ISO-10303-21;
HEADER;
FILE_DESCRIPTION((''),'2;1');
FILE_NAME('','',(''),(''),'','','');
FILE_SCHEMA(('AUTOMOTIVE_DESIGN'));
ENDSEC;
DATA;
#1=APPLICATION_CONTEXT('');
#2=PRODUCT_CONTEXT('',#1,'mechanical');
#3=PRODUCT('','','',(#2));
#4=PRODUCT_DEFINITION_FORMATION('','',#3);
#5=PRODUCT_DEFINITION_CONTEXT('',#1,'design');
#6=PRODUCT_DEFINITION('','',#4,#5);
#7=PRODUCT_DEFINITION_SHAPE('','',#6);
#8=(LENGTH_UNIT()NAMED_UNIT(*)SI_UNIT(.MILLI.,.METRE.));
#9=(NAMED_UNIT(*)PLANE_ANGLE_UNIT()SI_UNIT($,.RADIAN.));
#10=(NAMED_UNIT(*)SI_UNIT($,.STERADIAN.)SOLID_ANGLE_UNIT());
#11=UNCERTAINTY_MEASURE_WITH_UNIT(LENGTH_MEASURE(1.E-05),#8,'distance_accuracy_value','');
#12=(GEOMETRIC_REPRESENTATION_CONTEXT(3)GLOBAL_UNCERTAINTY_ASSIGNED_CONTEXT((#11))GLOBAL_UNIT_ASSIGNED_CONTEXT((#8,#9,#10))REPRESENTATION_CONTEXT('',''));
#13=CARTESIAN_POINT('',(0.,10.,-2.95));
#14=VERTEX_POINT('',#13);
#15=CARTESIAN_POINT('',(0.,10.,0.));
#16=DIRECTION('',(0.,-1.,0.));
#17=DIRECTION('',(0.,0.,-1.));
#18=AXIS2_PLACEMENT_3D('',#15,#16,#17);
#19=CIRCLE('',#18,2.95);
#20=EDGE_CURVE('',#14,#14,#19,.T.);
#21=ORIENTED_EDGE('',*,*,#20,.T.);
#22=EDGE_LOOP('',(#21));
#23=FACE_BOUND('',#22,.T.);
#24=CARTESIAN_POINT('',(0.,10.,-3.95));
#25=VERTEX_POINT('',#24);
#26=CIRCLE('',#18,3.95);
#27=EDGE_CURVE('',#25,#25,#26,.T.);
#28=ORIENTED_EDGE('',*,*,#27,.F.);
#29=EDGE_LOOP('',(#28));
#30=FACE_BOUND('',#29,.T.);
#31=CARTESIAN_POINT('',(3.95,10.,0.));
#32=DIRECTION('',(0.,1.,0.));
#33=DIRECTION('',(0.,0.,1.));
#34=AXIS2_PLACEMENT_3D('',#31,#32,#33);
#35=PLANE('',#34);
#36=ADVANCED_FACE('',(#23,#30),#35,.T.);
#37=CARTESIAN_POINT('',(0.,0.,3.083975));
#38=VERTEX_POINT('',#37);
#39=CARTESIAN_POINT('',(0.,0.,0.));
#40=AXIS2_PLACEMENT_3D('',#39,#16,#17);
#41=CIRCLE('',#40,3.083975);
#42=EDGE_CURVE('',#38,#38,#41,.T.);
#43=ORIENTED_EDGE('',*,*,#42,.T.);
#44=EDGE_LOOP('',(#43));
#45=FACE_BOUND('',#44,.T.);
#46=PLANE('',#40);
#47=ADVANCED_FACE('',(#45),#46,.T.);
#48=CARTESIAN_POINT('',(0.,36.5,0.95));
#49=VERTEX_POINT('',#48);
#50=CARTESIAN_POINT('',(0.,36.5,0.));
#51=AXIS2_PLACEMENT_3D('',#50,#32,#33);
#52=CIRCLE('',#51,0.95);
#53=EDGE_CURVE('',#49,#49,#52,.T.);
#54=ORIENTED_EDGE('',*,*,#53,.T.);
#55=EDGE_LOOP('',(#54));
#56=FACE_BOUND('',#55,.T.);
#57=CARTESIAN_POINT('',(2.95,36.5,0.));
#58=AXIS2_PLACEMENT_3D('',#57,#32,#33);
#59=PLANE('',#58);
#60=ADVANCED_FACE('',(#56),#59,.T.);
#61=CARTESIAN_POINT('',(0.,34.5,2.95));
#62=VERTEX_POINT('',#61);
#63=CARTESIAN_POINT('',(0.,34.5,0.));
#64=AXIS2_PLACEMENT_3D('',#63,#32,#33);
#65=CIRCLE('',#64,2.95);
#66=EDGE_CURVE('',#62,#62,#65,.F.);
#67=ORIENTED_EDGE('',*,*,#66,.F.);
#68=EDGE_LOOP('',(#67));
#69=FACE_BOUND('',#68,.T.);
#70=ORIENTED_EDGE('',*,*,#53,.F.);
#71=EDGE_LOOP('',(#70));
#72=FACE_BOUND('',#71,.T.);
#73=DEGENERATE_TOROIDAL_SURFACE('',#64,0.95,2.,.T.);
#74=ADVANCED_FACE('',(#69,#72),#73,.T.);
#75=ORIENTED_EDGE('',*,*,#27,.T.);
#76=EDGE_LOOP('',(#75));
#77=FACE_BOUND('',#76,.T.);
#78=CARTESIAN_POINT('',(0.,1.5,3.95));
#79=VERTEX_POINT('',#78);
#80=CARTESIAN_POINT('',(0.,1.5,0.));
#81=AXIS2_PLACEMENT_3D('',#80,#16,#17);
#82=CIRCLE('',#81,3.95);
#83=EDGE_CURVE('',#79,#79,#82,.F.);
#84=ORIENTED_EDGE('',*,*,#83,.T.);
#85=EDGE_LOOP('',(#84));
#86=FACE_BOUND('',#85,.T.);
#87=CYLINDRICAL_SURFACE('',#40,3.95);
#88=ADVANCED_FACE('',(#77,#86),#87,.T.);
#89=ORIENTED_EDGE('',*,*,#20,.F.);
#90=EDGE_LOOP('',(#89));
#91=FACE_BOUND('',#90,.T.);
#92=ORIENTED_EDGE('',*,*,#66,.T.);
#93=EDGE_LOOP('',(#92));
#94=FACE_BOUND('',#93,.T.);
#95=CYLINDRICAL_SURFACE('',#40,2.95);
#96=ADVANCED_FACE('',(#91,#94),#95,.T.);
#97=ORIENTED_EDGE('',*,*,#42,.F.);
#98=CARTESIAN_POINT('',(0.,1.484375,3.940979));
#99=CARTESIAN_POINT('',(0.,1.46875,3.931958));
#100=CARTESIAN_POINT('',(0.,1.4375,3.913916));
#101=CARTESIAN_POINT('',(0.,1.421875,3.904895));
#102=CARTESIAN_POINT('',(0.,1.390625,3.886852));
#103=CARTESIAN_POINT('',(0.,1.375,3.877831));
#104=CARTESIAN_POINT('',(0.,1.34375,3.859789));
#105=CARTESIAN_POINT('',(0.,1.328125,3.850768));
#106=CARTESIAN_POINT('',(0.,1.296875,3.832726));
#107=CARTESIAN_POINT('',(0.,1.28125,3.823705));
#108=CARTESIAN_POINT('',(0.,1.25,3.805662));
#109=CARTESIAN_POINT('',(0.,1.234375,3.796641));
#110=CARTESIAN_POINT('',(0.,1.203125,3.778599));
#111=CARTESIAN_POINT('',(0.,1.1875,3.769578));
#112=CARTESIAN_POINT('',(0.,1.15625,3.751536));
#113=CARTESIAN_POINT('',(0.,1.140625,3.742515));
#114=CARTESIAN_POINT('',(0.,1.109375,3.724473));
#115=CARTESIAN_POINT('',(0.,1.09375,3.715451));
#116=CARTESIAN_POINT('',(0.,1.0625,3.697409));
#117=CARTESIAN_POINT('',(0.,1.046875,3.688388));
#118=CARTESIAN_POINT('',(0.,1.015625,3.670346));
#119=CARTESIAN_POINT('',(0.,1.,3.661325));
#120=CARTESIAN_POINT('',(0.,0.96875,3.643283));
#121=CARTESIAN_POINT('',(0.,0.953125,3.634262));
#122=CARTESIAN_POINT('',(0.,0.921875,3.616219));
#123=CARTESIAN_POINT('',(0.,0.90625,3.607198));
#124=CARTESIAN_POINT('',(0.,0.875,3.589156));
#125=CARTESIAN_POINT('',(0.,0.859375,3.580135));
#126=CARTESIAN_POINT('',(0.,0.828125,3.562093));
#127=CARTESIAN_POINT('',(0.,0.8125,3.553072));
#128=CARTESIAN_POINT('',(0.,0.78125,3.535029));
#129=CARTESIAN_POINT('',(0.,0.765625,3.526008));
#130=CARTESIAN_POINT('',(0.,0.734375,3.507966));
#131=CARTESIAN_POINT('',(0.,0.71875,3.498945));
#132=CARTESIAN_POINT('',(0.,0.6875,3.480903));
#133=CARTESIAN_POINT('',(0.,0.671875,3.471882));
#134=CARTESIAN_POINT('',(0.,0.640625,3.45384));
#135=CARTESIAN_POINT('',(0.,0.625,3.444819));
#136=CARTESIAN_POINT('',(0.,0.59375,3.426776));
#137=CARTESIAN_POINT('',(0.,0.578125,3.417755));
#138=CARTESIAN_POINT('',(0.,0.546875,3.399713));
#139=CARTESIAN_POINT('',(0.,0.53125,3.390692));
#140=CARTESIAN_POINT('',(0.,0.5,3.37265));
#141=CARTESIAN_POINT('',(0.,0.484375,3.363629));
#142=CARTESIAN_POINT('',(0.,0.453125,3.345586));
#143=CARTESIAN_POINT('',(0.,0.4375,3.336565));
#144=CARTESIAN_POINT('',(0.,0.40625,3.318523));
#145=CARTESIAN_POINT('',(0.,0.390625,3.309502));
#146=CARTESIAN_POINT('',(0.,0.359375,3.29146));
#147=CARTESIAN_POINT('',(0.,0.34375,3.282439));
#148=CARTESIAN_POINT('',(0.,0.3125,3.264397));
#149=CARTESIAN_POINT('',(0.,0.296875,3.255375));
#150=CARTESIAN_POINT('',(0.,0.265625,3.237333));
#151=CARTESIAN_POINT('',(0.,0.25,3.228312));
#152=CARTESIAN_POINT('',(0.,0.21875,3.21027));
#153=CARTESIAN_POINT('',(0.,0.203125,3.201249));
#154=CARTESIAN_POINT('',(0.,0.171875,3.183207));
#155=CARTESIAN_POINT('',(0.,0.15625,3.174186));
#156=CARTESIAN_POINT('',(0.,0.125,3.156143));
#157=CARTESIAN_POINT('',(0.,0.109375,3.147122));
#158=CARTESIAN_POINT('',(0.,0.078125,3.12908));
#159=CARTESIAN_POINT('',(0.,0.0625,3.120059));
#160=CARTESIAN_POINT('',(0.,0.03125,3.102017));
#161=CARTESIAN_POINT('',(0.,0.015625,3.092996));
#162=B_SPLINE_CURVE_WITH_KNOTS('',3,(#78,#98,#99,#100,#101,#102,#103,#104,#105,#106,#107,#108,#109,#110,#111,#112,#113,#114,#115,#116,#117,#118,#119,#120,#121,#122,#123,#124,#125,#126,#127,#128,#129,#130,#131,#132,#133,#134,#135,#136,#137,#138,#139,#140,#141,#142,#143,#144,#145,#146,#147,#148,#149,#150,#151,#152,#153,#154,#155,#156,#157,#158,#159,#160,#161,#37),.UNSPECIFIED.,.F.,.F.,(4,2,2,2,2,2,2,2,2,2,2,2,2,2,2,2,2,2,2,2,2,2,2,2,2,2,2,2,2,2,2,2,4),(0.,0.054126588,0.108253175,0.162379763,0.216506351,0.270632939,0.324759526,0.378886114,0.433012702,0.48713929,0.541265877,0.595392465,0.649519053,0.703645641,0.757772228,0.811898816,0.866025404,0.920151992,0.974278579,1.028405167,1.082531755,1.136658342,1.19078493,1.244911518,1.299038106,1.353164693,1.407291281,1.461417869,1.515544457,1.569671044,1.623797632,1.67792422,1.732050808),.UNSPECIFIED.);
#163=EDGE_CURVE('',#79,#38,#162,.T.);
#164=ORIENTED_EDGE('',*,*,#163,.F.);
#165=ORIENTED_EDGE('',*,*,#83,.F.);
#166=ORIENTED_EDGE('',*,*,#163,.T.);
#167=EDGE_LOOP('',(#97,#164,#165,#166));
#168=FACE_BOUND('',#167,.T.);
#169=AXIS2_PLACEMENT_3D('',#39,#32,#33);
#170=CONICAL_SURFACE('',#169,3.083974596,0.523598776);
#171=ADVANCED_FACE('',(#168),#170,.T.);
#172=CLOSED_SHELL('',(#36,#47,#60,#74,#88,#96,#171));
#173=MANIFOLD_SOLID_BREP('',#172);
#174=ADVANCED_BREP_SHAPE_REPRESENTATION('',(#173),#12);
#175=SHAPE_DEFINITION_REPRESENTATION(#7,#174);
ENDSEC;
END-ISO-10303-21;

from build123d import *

# Parameters (mm, degrees)
FILLET1_R      = 2
CHAMFER2_SIZE  = 1.5
CHAMFER2_SIZE2 = 0.866025404


with BuildPart() as part:
    # Sketch4 → Revolve1 (revolve)
    with BuildSketch(Plane.XY, mode=Mode.PRIVATE) as revolve1_sk:
        Polygon((0, 0), (3.95, 0), (3.95, 10), (2.95, 10), (2.95, 36.5), (0, 36.5), align=None)
    revolve(revolve1_sk.sketch.rotate(Axis((0, 0, 0), (0, 1, 0)), 90), axis=Axis((0, 0, 0), (0, 1, 0)))

    # Fillet1
    fillet1_edges = [part.edges().sort_by_distance(p)[0] for p in [
        (0, 36.5, 2.95),
    ]]
    fillet(fillet1_edges, radius=FILLET1_R)

    # Chamfer2
    chamfer2_edges = [part.edges().sort_by_distance(p)[0] for p in [
        (0, 0, 3.95),
    ]]
    chamfer2_side = [part.faces().sort_by_distance(p)[0] for p in [
        (0, 5, 3.95),
    ]]
    chamfer(chamfer2_edges, length=CHAMFER2_SIZE, length2=CHAMFER2_SIZE2, reference=chamfer2_side[0])


solid = part.part
